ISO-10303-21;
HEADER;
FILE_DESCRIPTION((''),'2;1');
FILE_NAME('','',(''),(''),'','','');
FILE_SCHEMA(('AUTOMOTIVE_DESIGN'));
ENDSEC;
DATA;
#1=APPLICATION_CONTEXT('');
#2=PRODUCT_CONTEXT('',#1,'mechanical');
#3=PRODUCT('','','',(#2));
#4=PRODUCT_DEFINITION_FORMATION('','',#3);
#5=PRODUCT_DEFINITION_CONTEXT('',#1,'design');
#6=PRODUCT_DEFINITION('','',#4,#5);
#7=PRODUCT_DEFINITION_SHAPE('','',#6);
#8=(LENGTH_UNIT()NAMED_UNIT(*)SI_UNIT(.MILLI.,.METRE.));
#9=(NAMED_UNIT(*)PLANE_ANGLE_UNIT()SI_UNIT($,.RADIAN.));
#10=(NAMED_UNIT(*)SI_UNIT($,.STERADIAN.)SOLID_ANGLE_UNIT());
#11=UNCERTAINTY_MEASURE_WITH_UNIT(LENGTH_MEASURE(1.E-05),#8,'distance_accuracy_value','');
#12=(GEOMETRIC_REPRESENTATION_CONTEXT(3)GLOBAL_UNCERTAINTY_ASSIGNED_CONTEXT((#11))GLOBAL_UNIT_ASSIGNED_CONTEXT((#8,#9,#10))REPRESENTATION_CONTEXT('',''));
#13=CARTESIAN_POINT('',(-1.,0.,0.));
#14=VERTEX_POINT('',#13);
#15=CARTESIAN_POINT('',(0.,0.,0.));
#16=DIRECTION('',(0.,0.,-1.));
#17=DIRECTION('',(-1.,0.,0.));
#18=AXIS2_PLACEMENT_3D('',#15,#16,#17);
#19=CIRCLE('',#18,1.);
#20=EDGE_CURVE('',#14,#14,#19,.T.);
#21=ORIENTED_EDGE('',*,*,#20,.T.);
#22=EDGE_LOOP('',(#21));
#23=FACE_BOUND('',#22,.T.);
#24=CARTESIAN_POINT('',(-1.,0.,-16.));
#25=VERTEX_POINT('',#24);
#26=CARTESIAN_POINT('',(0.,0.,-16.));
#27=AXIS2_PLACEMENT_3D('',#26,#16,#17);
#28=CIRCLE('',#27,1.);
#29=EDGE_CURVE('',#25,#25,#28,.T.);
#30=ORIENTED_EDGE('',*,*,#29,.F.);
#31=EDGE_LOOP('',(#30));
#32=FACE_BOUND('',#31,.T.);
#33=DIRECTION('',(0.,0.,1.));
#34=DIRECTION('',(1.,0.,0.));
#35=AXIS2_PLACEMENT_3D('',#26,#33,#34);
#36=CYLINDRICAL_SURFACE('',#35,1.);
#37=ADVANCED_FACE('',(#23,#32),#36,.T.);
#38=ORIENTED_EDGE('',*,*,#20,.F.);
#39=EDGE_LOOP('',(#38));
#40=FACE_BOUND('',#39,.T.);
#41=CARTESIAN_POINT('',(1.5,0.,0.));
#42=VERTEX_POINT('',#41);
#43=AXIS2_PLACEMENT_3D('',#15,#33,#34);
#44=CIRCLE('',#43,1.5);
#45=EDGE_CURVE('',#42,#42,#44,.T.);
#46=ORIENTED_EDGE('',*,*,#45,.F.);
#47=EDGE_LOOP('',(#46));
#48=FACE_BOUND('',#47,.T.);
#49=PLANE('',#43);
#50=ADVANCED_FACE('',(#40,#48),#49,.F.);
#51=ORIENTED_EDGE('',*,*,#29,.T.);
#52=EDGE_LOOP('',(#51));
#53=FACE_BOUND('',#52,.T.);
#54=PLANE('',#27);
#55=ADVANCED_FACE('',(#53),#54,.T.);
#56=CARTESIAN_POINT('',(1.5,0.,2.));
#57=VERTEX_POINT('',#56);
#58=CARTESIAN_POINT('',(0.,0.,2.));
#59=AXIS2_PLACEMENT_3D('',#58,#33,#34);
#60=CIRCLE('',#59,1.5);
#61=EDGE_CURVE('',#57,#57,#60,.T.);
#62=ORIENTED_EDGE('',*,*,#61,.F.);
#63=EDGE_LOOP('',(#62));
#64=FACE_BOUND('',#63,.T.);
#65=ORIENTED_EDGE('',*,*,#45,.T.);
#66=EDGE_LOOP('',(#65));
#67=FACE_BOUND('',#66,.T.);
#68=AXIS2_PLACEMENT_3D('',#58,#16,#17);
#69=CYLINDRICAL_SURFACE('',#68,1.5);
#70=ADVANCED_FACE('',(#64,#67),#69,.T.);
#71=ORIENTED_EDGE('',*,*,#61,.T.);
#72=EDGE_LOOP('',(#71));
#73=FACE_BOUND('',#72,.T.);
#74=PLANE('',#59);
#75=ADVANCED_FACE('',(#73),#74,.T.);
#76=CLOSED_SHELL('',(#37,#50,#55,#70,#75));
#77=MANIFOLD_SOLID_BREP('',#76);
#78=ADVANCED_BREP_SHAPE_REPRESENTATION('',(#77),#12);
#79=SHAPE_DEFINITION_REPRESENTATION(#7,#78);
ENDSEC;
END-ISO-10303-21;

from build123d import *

# Parameters (mm, degrees)
SKETCH_1_R      = 1.5
EXTRUDE_1_DEPTH = 2
SKETCH_2_R      = 1
EXTRUDE_3_DEPTH = 16


with BuildPart() as part:
    # 草图1 → 凸台-拉伸1 (new body)
    with BuildSketch(Plane.XY):
        Circle(SKETCH_1_R)
    extrude(amount=EXTRUDE_1_DEPTH)

    # 草图2 → 凸台-拉伸3 (add)
    with BuildSketch(Plane(origin=(0, 0, 0), x_dir=(-1, 0, 0), z_dir=(0, 0, -1))):
        Circle(SKETCH_2_R)
    extrude(amount=EXTRUDE_3_DEPTH)


solid = part.part
